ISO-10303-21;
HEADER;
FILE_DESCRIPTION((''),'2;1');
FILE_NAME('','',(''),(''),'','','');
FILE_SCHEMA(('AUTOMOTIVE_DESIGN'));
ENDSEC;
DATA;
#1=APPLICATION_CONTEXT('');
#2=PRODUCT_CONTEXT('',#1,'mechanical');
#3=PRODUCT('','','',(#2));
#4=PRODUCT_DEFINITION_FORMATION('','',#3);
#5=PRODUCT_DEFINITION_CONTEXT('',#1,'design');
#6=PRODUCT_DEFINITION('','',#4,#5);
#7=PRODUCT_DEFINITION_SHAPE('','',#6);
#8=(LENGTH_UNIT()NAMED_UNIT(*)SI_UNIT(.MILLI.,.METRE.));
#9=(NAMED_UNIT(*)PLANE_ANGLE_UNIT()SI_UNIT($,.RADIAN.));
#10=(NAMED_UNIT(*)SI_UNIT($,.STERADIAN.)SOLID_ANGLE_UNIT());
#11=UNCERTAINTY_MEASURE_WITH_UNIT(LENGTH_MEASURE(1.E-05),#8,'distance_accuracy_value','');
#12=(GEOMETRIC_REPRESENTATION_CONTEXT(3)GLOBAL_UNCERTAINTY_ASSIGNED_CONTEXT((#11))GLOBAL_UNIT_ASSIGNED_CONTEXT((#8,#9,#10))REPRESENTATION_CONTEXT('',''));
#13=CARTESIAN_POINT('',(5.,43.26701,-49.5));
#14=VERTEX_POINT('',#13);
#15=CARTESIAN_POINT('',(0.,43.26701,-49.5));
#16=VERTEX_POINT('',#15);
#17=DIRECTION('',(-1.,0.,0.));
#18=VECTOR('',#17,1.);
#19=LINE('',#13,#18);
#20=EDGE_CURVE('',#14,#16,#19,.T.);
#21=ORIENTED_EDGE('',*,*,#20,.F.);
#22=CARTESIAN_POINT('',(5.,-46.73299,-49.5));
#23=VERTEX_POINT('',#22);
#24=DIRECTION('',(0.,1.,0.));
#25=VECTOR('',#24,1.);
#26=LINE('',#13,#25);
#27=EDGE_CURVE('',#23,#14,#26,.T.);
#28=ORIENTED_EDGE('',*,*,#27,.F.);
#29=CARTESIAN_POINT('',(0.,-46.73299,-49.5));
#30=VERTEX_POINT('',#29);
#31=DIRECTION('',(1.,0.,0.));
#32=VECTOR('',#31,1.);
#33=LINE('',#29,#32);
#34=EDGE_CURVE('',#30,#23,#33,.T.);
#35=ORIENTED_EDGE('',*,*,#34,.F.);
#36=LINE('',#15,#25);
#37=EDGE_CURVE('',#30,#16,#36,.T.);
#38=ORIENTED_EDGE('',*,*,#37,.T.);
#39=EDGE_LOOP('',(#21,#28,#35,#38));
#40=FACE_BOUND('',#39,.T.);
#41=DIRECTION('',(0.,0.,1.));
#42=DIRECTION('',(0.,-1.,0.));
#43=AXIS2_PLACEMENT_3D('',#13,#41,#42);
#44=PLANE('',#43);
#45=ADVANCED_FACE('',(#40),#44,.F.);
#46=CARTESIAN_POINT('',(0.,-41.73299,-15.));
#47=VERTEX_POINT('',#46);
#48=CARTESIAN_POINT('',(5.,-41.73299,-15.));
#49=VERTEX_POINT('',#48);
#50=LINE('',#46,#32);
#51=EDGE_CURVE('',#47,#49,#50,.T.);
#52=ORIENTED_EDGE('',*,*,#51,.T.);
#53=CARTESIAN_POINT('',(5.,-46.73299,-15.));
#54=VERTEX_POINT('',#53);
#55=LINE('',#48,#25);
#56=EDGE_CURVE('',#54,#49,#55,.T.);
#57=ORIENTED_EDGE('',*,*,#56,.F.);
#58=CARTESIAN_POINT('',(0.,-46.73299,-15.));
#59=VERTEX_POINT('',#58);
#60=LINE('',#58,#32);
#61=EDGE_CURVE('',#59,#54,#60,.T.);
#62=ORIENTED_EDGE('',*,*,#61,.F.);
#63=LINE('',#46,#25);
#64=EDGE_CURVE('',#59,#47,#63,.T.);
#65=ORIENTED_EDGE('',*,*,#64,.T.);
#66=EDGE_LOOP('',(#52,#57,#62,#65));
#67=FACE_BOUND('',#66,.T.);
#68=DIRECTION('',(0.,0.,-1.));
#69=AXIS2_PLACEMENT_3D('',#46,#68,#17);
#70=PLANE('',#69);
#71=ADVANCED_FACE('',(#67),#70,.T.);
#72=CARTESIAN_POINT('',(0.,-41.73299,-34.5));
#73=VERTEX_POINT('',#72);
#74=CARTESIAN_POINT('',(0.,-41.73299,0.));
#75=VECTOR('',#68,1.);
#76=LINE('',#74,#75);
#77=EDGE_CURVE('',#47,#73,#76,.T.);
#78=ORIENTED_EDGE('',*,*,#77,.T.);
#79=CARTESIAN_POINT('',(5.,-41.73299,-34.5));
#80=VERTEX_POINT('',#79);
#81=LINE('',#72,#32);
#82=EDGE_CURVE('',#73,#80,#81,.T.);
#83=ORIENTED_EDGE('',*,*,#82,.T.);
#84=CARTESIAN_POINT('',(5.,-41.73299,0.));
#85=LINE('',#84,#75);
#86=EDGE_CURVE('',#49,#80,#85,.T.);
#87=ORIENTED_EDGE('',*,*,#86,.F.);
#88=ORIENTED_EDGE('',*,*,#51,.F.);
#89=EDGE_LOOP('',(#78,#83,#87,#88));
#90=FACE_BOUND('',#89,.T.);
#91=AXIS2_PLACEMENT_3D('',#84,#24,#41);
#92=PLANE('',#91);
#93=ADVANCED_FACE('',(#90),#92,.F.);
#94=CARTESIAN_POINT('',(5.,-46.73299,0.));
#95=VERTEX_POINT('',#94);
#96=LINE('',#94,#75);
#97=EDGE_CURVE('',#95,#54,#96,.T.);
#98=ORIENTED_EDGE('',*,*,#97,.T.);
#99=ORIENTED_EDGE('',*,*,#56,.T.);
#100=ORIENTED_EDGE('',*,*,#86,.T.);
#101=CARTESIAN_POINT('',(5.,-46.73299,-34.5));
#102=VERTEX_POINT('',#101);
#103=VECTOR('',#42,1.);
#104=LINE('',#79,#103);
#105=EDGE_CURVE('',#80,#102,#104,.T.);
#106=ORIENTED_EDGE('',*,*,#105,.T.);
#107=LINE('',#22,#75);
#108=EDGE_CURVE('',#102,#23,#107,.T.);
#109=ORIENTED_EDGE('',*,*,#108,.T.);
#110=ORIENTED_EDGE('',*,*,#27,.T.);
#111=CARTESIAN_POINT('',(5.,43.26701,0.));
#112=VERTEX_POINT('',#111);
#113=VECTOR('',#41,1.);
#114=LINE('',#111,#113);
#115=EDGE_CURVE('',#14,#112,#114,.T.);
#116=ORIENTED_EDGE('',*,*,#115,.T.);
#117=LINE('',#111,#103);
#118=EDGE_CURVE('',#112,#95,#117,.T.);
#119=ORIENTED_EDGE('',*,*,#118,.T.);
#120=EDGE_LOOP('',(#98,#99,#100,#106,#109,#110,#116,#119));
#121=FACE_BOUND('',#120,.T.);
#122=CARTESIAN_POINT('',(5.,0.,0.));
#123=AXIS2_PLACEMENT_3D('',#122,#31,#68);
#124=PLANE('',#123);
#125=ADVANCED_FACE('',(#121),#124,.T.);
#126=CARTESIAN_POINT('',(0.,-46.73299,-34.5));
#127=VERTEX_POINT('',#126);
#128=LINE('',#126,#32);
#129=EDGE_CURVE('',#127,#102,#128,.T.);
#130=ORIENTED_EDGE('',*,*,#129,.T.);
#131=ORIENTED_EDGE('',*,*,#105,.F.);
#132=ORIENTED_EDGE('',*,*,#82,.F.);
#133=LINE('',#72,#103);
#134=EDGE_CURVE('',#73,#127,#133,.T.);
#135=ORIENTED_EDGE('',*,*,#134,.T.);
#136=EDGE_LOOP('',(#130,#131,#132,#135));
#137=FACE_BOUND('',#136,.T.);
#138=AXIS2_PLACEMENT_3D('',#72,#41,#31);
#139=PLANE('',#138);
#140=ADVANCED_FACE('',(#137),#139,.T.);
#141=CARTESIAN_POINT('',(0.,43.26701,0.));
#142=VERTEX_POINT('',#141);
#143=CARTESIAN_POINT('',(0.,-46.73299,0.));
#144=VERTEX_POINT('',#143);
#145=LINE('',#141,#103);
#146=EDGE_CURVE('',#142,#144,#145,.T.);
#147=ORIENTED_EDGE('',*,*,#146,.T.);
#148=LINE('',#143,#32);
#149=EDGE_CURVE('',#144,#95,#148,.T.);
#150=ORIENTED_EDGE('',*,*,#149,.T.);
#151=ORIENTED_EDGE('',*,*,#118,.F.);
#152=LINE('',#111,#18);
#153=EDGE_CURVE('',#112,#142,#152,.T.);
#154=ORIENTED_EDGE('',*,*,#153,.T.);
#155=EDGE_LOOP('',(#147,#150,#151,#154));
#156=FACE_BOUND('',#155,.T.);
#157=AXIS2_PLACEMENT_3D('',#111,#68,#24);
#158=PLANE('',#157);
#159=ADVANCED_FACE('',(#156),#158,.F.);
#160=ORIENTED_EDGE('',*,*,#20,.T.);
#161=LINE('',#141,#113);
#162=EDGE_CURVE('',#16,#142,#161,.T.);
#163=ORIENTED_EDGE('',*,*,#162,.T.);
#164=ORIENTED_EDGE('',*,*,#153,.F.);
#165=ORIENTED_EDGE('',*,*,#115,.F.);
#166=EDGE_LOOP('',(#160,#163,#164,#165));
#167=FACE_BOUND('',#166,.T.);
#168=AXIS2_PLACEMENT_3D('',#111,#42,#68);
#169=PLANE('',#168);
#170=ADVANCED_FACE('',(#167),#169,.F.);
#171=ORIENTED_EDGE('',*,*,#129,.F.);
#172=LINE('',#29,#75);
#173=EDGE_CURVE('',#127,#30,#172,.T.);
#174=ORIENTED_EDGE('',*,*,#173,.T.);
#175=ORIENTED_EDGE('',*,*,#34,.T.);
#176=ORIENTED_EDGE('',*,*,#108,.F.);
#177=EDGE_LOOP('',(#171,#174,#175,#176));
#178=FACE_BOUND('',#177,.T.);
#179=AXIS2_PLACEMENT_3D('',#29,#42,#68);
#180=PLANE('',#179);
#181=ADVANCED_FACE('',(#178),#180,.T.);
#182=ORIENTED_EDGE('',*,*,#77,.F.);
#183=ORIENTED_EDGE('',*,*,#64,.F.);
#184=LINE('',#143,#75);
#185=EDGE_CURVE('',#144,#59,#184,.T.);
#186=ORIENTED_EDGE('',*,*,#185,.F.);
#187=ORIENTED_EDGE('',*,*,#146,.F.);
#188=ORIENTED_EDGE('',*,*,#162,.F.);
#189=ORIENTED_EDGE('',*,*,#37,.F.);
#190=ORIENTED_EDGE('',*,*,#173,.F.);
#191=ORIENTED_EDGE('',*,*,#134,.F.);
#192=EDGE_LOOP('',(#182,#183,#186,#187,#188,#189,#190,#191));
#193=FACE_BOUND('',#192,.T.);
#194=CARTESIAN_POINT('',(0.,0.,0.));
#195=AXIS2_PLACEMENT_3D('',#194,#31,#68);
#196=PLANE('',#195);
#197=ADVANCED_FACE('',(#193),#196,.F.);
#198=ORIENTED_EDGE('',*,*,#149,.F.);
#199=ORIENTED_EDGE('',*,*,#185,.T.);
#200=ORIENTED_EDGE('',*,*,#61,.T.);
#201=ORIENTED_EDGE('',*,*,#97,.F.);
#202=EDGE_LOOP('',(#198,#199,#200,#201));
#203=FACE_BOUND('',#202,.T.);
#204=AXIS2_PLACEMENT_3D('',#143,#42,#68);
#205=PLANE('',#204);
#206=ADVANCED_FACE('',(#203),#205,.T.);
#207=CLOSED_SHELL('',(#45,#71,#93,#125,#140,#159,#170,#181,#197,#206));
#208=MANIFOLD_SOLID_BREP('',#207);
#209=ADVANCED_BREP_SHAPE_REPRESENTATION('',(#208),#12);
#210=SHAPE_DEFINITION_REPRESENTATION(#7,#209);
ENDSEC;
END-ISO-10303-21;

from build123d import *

# Parameters (mm, degrees)
SKETCH_1_W      = 49.5
SKETCH_1_H      = 85
EXTRUDE_1_DEPTH = 5
SKETCH_12_W     = 15
SKETCH_12_H     = 5
EXTRUDE_3_DEPTH = 5


with BuildPart() as part:
    # 스케치1 → 보스-돌출1 (new body)
    with BuildSketch(Plane(origin=(0, 0, 0), x_dir=(0, 0, -1), z_dir=(1, 0, 0))):
        with Locations((24.75, 0.767010447)):
            Rectangle(SKETCH_1_W, SKETCH_1_H)
    extrude(amount=EXTRUDE_1_DEPTH)

    # 스케치12 → 보스-돌출3 (add)
    with BuildSketch(Plane(origin=(5, 0, 0), x_dir=(0, 0, -1), z_dir=(1, 0, 0))):
        with Locations((42, -44.232989553)):
            Rectangle(SKETCH_12_W, SKETCH_12_H)
        with Locations((7.5, -44.232989553)):
            Rectangle(SKETCH_12_W, SKETCH_12_H)
    extrude(amount=-EXTRUDE_3_DEPTH)


solid = part.part
